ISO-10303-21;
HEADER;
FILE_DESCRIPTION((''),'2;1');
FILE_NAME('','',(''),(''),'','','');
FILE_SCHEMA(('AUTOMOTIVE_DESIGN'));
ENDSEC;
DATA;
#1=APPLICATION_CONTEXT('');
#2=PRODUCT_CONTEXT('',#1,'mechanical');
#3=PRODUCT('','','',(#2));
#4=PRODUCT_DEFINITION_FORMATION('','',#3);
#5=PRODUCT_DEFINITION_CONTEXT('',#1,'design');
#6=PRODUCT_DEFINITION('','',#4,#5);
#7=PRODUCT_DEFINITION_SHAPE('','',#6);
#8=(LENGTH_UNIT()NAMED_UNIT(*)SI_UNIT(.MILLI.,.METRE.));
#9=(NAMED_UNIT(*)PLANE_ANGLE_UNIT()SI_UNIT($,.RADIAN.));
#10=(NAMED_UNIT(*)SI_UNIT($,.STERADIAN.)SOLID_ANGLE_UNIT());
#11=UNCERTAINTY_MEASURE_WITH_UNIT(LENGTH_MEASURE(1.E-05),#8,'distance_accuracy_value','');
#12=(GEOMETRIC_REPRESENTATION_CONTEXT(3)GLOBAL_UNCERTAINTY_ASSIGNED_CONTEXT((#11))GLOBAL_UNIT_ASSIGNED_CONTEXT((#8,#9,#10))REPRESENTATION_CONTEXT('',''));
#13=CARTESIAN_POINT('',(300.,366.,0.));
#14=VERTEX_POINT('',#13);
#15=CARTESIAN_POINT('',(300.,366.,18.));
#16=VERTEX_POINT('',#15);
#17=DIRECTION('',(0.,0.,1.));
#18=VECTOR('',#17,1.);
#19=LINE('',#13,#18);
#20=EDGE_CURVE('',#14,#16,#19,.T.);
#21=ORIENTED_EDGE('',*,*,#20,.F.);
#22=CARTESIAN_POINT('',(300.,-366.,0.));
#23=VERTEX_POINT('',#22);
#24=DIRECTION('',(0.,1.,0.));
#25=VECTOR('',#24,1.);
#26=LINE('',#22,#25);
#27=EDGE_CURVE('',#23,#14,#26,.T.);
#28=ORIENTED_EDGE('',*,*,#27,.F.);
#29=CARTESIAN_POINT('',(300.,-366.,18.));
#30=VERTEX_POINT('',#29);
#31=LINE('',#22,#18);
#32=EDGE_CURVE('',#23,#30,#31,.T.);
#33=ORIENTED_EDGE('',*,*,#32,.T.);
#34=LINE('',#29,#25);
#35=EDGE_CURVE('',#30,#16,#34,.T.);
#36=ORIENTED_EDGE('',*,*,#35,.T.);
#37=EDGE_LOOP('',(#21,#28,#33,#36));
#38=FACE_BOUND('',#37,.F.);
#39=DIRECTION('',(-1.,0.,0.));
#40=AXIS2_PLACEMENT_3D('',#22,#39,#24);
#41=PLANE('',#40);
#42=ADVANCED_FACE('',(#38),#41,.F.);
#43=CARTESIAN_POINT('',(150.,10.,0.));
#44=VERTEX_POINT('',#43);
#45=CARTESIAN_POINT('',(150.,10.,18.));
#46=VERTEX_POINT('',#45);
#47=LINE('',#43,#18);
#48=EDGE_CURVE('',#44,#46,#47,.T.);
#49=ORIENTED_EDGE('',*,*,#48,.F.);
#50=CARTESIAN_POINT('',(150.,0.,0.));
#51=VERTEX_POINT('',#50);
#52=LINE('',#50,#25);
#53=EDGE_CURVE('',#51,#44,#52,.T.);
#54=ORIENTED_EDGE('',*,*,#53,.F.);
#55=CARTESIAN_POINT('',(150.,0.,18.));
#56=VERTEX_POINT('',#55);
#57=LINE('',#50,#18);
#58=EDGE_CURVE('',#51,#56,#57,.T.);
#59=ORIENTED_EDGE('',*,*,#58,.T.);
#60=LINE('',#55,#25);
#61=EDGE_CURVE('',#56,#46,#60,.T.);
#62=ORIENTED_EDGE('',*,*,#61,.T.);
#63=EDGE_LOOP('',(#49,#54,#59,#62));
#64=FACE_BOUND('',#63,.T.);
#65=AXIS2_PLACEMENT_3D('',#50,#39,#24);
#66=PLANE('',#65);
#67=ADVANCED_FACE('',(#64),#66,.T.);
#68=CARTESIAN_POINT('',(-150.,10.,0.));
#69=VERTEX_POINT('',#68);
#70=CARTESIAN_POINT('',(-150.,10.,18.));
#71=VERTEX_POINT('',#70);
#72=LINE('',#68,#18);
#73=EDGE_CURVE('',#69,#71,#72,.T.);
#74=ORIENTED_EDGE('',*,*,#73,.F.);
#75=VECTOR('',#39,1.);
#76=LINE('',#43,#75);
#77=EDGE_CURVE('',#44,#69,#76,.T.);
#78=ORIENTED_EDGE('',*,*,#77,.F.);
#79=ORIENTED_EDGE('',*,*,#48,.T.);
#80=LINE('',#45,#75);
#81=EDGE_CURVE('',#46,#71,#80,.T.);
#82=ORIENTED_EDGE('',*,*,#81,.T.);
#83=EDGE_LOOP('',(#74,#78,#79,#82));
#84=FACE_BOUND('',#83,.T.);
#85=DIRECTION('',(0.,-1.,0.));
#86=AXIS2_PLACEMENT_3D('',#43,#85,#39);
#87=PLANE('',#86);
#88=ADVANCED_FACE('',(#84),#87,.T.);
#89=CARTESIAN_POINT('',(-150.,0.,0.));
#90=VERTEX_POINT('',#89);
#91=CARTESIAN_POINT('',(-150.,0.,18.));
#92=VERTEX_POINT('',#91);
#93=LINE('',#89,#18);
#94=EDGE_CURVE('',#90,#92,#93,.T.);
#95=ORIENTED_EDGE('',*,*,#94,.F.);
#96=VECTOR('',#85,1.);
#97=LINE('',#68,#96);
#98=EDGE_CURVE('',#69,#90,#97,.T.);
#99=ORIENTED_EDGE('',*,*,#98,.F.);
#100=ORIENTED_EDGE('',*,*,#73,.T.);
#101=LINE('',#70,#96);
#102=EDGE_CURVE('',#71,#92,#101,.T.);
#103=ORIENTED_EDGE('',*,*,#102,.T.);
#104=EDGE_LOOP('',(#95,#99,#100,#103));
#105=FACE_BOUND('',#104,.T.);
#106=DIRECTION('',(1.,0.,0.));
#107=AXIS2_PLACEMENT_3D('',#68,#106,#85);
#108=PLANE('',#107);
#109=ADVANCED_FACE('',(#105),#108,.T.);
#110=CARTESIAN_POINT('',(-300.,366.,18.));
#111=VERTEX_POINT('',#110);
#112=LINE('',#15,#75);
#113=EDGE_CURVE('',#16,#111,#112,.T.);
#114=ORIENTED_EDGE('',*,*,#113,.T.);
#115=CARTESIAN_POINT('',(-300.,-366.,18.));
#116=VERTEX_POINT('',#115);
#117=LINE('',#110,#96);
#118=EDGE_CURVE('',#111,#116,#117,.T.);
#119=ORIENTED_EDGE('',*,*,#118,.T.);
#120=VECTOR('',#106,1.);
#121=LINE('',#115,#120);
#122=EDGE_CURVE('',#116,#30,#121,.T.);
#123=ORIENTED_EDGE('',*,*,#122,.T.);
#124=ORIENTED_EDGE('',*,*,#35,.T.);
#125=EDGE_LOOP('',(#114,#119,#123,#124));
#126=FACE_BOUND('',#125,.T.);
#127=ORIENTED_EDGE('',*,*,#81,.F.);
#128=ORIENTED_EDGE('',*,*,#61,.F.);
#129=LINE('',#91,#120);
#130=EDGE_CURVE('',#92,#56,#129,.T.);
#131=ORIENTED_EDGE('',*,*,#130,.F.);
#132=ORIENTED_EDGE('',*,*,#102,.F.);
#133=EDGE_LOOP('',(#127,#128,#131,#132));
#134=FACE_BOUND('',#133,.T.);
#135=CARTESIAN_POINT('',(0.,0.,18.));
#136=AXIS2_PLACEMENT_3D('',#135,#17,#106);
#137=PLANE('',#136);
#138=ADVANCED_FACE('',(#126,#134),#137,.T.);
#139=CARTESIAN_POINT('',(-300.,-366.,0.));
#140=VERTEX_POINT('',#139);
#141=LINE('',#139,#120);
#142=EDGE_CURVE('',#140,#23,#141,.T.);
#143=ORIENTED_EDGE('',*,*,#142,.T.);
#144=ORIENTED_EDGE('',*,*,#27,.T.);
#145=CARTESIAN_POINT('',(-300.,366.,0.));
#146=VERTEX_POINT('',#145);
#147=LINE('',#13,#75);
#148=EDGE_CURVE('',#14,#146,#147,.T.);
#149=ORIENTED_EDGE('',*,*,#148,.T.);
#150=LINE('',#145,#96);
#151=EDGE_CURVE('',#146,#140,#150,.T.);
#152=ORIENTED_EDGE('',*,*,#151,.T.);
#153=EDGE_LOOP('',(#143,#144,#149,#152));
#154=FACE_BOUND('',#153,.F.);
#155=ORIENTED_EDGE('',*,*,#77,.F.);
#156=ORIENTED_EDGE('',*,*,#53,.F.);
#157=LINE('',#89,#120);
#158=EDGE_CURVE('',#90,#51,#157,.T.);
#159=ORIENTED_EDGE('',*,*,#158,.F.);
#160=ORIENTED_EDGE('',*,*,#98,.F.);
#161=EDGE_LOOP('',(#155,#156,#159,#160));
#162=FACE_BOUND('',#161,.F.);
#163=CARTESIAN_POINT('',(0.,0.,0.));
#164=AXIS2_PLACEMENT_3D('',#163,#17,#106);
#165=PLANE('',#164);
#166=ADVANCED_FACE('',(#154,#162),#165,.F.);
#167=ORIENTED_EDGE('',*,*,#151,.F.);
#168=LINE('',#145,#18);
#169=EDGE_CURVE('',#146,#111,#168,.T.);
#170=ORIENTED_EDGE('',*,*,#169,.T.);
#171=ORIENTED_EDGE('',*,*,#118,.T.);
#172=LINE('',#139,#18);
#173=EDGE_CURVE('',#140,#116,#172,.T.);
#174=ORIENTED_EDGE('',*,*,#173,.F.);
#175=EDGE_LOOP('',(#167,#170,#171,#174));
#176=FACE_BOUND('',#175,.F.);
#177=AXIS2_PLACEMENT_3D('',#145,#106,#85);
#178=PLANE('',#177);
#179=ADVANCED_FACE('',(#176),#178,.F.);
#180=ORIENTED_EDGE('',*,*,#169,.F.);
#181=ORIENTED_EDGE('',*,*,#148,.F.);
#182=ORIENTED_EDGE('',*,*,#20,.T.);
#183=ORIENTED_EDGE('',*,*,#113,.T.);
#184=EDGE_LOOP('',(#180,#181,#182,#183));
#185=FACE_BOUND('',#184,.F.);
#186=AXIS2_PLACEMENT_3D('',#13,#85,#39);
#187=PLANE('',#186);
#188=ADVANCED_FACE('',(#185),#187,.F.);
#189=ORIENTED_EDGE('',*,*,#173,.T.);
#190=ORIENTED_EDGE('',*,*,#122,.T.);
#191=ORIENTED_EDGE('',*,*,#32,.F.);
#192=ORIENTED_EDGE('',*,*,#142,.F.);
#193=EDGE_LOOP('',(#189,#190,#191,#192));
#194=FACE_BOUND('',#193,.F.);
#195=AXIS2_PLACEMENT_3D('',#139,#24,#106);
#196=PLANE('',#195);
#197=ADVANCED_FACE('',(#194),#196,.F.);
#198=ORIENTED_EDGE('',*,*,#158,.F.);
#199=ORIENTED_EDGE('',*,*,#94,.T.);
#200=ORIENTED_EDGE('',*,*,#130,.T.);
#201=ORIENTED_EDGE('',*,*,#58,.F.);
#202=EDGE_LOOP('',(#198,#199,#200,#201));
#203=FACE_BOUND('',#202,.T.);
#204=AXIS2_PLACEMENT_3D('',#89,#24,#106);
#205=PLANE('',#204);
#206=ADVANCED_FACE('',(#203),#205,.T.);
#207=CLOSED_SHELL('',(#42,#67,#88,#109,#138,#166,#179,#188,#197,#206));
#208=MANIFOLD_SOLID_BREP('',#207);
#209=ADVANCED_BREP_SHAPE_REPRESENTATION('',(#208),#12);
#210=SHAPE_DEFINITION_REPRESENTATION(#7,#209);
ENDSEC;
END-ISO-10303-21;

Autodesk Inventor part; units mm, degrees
ref_plane "YZ Plane" through (0, 0, 0) normal (1, 0, 0) x (0, 1, 0)
ref_plane "XZ Plane" through (0, 0, 0) normal (0, 1, 0) x (-1, 0, 0)
ref_plane "XY Plane" through (0, 0, 0) normal (0, 0, 1) x (1, 0, 0)
sketch "Sketch1" plane through (0, 0, 0) normal (0, 0, 1) x (1, 0, 0)
  line L0 (-300, -366) -> (300, -366)
  line L1 (300, -366) -> (300, 366)
  line L2 (300, 366) -> (-300, 366)
  line L3 (-300, 366) -> (-300, -366)
  line L4 (-300, -366) -> (300, 366) construction
  line L5 (300, -366) -> (-300, 366) construction
  line L6 (150, 10) -> (-150, 10)
  line L7 (-150, 10) -> (-150, 0)
  line L8 (-150, 0) -> (150, 0)
  line L9 (150, 0) -> (150, 10)
  line L10 (150, 10) -> (-150, 0) construction
  line L11 (-150, 10) -> (150, 0) construction
  line L12 (0, 0) -> (0, 5) construction
  dimension "d0" = 600
  dimension "d1" = 732
  dimension "d4" = 300
  dimension "d5" = 10
  dimension "d6" = 5
extrude "Extrusion1" add sketch "Sketch1" along normal blind 18
properties part number "gora"
